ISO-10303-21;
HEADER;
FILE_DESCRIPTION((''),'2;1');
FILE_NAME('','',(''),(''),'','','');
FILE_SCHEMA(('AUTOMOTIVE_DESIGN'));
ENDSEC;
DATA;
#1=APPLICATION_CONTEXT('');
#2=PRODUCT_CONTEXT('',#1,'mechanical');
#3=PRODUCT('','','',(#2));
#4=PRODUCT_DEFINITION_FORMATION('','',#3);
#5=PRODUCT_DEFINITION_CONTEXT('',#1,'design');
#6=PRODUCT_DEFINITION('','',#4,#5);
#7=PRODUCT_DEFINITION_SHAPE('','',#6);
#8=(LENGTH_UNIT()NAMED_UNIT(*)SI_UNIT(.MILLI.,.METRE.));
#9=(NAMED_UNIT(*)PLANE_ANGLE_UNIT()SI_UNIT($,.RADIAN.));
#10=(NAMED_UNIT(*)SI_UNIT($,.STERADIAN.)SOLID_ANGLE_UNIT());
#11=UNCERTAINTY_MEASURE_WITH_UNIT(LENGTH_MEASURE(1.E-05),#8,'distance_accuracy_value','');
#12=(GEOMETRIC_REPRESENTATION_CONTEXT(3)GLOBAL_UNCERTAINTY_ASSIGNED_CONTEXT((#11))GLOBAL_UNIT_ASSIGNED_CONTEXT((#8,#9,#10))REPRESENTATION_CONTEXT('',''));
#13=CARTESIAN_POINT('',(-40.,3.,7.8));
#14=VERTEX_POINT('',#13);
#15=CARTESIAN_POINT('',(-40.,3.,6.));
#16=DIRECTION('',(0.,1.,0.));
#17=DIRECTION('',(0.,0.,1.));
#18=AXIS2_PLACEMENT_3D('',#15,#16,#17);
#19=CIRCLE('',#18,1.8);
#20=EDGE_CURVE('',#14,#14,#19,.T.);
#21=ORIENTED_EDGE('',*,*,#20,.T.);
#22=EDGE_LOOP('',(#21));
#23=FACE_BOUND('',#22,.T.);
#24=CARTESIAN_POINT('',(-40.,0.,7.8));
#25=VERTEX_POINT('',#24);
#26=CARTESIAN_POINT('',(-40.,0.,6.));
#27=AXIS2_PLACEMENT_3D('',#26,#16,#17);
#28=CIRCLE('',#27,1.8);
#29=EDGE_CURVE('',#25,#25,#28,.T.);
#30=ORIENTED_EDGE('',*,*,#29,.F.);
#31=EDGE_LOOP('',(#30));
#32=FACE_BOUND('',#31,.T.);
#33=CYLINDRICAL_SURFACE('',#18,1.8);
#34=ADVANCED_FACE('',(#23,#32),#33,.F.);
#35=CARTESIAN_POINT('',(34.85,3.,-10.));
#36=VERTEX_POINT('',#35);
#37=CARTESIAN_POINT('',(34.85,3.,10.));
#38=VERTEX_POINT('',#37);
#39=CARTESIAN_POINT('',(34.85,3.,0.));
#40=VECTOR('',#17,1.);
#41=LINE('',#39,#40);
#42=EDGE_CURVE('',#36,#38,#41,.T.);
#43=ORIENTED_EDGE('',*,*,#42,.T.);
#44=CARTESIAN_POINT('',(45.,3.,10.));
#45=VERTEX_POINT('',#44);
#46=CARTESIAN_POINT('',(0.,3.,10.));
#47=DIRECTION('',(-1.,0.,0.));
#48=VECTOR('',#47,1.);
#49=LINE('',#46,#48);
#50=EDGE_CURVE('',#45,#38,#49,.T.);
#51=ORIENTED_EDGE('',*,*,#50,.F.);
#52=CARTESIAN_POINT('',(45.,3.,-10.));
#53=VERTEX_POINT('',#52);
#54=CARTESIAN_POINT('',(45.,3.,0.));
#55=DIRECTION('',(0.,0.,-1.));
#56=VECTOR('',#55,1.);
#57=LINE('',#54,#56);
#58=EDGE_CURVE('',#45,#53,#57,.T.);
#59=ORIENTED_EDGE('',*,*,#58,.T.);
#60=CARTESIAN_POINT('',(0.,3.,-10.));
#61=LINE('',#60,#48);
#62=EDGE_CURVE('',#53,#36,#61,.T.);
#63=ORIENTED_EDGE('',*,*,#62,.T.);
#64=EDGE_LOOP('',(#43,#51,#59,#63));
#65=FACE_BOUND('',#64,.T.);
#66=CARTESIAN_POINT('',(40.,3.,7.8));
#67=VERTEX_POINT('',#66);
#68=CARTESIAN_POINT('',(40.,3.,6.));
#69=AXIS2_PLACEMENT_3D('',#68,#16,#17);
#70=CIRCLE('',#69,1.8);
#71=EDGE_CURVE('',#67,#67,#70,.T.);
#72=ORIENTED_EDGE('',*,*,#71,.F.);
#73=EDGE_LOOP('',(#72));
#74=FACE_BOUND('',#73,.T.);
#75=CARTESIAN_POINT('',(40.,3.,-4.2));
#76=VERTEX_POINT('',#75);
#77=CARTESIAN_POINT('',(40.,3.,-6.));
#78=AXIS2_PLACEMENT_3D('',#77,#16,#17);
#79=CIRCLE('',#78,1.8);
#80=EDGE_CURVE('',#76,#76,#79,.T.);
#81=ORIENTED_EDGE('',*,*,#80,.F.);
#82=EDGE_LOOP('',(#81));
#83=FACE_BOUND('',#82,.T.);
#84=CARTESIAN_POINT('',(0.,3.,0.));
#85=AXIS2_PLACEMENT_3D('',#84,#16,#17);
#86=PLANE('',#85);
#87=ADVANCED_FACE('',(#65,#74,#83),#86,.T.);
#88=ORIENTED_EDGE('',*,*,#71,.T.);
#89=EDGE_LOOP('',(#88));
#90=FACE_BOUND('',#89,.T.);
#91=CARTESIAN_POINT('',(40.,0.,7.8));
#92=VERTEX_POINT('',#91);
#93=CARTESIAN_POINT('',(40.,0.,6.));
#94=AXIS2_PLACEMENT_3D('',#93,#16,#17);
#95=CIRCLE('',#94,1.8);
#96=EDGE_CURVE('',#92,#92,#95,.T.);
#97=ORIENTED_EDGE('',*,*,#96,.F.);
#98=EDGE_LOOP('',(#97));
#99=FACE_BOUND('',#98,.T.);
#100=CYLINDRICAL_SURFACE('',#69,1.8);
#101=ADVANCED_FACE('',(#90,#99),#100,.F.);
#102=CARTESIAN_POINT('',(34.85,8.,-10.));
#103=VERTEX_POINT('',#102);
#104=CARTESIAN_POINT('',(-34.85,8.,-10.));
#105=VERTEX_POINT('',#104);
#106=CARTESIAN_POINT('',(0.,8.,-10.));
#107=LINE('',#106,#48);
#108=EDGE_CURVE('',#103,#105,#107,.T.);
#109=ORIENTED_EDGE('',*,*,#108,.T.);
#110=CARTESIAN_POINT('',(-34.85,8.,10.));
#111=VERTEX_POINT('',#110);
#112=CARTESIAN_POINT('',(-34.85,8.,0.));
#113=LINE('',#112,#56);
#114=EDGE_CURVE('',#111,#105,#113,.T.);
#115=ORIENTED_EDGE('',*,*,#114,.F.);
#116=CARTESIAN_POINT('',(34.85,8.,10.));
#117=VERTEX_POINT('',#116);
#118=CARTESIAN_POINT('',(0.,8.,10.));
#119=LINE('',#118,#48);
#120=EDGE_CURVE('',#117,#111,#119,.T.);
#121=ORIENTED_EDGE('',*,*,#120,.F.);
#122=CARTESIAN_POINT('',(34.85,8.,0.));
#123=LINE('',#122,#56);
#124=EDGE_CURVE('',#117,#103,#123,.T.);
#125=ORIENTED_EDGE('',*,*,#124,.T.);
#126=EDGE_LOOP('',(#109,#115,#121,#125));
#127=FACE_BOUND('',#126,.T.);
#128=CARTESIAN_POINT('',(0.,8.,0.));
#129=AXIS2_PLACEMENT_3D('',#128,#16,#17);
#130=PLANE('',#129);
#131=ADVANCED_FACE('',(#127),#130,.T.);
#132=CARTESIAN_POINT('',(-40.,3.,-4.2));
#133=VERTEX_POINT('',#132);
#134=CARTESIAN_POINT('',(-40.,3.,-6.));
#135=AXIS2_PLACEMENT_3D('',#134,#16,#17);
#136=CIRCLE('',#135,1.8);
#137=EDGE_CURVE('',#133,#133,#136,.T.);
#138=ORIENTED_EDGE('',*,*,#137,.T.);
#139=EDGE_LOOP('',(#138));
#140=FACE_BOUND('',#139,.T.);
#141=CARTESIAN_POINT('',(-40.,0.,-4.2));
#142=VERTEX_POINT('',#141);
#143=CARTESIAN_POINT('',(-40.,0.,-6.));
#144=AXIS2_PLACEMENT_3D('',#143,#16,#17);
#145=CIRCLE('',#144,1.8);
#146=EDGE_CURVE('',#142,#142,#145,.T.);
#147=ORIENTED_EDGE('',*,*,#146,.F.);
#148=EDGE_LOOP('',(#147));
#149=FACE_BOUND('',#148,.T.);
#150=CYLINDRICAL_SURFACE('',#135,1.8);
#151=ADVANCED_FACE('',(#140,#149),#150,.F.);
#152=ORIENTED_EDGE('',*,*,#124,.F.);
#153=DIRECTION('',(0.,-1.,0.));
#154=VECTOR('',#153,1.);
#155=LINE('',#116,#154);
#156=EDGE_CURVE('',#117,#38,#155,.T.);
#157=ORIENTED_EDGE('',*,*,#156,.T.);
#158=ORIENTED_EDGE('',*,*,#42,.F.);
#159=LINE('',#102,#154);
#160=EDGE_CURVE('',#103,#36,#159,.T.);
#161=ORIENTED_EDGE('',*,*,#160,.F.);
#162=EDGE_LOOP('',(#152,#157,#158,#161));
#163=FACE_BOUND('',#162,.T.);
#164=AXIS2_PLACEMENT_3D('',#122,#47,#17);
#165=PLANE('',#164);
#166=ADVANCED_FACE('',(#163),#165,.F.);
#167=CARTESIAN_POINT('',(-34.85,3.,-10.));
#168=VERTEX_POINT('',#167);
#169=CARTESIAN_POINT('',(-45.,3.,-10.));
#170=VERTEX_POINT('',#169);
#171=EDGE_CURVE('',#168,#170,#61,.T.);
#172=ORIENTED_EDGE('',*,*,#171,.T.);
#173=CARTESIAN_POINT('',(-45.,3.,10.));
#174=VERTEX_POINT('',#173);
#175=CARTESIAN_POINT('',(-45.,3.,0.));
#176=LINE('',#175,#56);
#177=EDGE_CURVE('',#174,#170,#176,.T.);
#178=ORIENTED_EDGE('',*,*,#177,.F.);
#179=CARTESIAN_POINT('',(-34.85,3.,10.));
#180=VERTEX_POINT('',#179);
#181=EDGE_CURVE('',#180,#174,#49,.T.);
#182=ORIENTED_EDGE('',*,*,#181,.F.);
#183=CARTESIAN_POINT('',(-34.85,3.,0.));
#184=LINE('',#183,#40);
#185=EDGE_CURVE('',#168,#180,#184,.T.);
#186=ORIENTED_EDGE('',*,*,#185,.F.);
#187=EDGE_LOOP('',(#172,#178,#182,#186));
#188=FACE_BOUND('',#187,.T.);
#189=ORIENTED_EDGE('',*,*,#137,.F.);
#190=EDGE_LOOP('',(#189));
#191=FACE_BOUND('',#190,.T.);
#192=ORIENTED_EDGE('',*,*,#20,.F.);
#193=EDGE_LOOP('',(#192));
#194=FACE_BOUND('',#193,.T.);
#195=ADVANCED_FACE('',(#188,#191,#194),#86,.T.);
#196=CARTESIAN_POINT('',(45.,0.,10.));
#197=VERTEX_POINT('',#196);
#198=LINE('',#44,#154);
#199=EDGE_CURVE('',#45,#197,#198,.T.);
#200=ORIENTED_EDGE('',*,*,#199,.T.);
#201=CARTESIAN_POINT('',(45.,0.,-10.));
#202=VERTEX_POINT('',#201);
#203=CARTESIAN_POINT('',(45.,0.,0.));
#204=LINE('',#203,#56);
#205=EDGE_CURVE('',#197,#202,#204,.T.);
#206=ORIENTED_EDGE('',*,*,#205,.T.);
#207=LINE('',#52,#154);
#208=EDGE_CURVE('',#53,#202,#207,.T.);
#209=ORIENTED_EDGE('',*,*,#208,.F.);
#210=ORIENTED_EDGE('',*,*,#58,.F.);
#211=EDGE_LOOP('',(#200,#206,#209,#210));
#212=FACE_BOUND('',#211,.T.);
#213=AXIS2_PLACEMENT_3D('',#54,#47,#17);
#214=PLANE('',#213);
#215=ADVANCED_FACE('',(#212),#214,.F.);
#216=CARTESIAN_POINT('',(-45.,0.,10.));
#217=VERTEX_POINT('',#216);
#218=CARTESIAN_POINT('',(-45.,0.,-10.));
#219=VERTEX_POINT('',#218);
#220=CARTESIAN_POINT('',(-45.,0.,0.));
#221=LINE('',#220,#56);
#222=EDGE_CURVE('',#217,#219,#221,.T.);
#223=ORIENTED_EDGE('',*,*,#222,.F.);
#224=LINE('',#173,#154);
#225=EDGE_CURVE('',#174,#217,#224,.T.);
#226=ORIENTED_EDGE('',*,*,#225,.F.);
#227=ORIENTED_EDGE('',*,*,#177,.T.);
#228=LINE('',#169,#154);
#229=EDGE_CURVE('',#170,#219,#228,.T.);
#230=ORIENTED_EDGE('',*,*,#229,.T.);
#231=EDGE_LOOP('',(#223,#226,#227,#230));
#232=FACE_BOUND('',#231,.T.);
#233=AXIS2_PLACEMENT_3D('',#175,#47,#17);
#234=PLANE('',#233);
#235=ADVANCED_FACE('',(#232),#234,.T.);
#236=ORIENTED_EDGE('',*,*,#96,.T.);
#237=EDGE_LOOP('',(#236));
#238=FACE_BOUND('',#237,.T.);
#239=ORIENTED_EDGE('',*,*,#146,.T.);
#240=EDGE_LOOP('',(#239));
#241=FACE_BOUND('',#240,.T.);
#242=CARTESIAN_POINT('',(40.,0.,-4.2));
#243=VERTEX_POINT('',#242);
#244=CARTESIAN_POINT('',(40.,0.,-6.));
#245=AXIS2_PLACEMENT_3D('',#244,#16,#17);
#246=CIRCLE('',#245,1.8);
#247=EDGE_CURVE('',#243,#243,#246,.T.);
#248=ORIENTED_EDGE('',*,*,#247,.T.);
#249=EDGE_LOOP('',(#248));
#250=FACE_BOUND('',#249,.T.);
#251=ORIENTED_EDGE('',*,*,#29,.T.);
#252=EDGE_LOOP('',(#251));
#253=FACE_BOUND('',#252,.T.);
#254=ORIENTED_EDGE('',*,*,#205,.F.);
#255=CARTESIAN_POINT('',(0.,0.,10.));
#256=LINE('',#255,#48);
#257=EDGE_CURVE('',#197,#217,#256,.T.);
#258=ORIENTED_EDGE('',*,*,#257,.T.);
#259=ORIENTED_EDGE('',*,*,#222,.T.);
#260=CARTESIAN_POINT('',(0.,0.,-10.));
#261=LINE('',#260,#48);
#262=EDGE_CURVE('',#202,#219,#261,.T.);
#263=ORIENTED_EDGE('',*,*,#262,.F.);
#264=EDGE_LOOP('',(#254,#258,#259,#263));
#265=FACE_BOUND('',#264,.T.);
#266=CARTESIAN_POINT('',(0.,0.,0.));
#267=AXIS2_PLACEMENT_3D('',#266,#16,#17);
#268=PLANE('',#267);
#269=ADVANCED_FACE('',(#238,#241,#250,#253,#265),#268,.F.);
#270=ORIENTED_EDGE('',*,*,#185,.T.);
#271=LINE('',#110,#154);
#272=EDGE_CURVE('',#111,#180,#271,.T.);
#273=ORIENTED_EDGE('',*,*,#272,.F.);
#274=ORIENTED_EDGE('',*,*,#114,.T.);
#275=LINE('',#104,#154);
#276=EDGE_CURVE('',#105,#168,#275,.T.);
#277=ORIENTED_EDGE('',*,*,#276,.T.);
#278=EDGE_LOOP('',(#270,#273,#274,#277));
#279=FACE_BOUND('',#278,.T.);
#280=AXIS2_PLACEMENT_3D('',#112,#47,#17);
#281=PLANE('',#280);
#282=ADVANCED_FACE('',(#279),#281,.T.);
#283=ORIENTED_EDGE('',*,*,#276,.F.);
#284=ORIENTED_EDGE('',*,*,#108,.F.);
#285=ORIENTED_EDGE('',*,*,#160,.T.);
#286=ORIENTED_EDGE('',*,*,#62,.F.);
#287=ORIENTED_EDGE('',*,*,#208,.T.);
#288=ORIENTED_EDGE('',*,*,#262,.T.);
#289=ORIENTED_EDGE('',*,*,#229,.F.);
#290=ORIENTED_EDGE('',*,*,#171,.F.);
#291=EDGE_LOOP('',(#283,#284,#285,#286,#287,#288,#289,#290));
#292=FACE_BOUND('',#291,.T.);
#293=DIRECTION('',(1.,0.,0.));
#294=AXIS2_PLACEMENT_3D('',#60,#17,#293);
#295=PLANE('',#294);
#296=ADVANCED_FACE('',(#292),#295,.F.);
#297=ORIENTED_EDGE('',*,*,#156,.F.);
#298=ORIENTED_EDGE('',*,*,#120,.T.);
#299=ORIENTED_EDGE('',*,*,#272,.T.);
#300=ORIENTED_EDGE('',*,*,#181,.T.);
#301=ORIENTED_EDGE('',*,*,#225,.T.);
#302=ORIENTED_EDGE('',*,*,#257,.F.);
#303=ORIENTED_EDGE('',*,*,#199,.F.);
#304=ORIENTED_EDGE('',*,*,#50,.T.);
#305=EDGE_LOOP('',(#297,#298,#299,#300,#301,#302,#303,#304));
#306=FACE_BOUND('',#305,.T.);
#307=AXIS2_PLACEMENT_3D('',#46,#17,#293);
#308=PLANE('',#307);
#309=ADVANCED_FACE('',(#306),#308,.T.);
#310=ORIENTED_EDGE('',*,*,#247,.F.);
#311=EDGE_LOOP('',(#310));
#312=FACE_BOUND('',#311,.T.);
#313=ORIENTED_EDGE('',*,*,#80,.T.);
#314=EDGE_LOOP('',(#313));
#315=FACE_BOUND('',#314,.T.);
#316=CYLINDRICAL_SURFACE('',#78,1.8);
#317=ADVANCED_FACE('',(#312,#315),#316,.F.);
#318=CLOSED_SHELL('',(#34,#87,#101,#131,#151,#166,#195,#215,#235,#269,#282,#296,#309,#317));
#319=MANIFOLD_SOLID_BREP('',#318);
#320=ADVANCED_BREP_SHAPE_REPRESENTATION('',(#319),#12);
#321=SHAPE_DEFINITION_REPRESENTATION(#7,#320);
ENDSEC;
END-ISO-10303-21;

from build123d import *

# Parameters (mm, degrees)
SKETCH1_W                = 90
SKETCH1_H                = 20
BOSS_EXTRUDE1_DEPTH      = 3
SKETCH1_3_W              = 69.7
SKETCH1_3_H              = 20
BOSS_EXTRUDE2_DEPTH      = 8
M3_CLEARANCE_HOLE1_D     = 3.6
M3_CLEARANCE_HOLE1_DEPTH = 10
M3_CLEARANCE_HOLE1_TIP   = 1.081549114


with BuildPart() as part:
    # Sketch1 → Boss-Extrude1 (new body)
    with BuildSketch(Plane(origin=(0, 0, 0), x_dir=(1, 0, 0), z_dir=(0, 1, 0))):
        Rectangle(SKETCH1_W, SKETCH1_H)
    extrude(amount=BOSS_EXTRUDE1_DEPTH)

    # Sketch1<3> → Boss-Extrude2 (add)
    with BuildSketch(Plane(origin=(0, 0, 0), x_dir=(1, 0, 0), z_dir=(0, 1, 0))):
        Rectangle(SKETCH1_3_W, SKETCH1_3_H)
    extrude(amount=BOSS_EXTRUDE2_DEPTH)

    # M3 Clearance Hole1
    with Locations(Plane(origin=(0, 3, 0), x_dir=(1, 0, 0), z_dir=(0, 1, 0))):
        with Locations((-40, 6), (-40, -6), (40, -6), (40, 6)):
            Hole(M3_CLEARANCE_HOLE1_D / 2, depth=M3_CLEARANCE_HOLE1_DEPTH)
            with Locations((0, 0, -(M3_CLEARANCE_HOLE1_DEPTH + M3_CLEARANCE_HOLE1_TIP / 2))):  # 118° drill point
                Cone(0, M3_CLEARANCE_HOLE1_D / 2, M3_CLEARANCE_HOLE1_TIP, mode=Mode.SUBTRACT)


solid = part.part
